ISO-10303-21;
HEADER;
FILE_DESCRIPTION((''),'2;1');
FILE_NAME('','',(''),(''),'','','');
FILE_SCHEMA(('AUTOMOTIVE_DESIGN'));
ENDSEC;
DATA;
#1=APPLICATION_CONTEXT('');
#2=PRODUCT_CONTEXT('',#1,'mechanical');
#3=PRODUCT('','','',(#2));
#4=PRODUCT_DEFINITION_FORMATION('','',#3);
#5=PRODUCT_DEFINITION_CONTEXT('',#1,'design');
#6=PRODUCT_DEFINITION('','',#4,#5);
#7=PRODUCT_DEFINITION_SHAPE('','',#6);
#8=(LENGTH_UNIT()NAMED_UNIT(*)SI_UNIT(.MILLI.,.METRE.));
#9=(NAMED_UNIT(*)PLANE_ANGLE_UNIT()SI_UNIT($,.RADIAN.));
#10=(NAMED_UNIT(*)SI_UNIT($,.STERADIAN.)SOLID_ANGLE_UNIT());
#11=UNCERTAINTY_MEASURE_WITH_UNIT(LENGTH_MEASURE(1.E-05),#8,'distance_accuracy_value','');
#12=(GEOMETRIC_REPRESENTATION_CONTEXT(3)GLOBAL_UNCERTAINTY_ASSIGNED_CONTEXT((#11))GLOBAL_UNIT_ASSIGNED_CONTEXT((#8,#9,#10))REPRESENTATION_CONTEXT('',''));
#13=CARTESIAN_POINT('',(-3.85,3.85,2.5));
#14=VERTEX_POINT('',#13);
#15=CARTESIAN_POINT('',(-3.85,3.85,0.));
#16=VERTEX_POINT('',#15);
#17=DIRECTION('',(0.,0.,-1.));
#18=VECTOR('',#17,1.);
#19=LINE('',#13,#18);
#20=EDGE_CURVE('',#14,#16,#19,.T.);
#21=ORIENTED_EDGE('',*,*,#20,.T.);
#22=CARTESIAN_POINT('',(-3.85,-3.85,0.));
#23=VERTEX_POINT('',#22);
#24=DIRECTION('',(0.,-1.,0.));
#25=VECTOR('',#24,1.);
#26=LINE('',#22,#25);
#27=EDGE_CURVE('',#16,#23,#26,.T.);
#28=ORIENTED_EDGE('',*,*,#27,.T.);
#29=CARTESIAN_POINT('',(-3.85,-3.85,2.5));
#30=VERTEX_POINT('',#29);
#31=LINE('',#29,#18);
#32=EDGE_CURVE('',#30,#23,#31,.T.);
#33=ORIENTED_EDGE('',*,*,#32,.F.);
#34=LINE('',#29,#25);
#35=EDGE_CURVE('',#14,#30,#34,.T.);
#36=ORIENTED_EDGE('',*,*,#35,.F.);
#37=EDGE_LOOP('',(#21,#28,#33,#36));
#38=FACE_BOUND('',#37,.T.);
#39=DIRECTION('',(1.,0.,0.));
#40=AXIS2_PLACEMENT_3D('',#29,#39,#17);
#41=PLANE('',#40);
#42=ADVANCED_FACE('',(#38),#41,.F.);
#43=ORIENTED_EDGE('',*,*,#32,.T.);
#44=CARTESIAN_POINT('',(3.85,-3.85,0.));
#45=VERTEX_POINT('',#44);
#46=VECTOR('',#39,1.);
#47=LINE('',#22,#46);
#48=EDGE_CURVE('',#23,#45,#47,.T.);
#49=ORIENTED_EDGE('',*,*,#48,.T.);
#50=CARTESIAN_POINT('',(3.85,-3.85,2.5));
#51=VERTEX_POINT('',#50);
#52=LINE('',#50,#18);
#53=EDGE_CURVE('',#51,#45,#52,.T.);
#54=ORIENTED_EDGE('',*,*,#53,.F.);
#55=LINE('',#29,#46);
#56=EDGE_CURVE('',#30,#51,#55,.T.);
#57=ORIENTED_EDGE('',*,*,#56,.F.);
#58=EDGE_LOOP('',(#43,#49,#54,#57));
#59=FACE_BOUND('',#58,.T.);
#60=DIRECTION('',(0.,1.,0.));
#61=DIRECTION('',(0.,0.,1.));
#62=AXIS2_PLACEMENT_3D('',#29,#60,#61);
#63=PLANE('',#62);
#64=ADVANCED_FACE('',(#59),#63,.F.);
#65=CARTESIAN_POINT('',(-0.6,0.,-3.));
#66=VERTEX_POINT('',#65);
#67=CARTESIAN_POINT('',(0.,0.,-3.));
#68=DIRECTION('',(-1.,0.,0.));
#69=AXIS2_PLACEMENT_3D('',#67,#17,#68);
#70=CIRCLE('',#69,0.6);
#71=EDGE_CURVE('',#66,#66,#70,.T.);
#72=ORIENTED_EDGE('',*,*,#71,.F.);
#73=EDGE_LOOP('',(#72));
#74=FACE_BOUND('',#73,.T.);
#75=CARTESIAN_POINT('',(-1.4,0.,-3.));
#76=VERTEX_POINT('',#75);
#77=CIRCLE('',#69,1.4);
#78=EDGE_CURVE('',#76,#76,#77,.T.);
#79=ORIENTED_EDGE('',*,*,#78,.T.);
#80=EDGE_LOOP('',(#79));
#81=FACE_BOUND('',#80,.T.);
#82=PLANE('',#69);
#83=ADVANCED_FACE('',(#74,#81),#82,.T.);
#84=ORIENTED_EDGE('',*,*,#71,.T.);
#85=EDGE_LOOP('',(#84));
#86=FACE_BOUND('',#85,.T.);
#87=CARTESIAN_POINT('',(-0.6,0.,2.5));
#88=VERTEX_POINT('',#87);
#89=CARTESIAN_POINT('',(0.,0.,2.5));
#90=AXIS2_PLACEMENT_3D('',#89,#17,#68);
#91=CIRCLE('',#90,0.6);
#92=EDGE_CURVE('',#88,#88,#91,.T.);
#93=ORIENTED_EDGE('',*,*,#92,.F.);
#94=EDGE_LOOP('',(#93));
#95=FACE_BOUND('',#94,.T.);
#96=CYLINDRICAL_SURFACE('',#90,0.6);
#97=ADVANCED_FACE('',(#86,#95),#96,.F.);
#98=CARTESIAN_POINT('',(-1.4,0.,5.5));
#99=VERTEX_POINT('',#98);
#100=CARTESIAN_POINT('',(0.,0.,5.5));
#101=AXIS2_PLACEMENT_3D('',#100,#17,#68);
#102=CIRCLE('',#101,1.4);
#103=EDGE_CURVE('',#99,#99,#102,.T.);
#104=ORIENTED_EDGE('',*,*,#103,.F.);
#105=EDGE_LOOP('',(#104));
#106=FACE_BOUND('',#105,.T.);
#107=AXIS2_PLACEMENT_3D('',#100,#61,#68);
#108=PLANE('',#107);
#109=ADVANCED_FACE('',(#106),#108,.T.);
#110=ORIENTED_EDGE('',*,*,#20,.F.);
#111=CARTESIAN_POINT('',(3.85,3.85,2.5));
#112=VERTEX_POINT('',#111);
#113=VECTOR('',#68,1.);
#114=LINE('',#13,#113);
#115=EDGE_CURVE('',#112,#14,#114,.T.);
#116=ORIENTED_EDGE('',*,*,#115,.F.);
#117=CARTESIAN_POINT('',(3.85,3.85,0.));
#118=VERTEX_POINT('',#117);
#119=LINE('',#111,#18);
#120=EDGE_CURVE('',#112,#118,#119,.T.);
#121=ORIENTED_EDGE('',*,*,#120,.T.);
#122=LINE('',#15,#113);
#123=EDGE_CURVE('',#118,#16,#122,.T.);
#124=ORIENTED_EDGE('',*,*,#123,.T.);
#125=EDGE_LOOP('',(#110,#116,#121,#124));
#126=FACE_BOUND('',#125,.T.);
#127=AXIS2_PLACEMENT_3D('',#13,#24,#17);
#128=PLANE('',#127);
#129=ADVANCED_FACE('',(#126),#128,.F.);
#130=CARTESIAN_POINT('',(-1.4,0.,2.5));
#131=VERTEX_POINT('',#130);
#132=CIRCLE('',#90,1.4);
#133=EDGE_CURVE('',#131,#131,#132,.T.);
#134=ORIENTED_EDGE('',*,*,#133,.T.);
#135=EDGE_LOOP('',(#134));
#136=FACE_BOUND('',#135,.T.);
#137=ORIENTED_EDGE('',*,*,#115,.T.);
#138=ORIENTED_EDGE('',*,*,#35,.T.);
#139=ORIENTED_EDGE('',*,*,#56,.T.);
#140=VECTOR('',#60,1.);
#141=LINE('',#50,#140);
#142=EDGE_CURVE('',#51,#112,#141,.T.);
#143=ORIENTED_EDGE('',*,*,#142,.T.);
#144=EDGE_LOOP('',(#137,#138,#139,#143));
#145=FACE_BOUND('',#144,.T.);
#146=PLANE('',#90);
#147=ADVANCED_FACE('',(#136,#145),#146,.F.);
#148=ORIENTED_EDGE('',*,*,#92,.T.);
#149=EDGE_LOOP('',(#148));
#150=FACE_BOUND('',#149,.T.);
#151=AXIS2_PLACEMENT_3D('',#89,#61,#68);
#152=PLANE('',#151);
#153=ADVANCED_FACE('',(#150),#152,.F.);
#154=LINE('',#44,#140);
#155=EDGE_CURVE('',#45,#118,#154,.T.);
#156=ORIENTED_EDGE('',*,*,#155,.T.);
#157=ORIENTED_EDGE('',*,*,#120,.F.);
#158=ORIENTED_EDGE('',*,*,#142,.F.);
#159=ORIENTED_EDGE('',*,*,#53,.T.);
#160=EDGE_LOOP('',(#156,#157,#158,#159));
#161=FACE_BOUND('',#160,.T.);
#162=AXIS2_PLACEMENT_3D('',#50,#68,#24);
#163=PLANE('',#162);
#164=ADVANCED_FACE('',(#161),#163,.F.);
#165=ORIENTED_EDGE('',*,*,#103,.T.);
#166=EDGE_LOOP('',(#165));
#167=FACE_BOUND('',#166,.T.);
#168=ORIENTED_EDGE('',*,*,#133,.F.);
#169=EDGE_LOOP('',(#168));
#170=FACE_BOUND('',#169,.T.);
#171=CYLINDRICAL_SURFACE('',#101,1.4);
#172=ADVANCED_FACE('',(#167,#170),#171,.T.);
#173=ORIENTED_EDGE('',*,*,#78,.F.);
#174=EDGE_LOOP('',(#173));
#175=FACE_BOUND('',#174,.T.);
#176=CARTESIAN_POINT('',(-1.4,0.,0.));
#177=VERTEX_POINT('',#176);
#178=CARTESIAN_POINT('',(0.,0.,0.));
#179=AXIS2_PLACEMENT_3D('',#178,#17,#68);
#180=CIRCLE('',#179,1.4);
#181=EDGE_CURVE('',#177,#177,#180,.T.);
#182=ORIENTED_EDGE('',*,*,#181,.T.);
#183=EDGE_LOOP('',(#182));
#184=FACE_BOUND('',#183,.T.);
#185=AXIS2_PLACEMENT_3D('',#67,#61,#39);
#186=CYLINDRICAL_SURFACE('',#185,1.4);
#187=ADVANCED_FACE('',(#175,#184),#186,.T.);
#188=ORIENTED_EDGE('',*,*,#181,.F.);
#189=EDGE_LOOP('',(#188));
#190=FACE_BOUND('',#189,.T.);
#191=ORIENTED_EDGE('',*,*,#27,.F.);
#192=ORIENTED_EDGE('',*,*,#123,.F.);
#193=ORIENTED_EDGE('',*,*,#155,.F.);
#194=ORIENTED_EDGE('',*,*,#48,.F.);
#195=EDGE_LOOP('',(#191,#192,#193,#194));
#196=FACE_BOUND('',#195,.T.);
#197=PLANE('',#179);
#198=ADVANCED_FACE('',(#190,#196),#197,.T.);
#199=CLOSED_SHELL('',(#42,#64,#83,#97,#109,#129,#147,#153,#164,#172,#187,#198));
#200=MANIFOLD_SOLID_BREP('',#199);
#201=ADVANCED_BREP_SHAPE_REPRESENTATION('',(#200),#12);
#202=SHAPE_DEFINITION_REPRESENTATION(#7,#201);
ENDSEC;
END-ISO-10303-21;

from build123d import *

# Parameters (mm, degrees)
CROQUIS1_W              = 7.7
CROQUIS1_H              = 7.7
SALIENTE_EXTRUIR1_DEPTH = 2.5
CROQUIS2_R              = 1.4
SALIENTE_EXTRUIR2_DEPTH = 3
CROQUIS6_R              = 0.6
CORTAR_EXTRUIR1_DEPTH   = 8.739186004


with BuildPart() as part:
    # Croquis1 → Saliente-Extruir1 (new body)
    with BuildSketch(Plane.XY):
        Rectangle(CROQUIS1_W, CROQUIS1_H)
    extrude(amount=SALIENTE_EXTRUIR1_DEPTH)

    # Croquis2 → Saliente-Extruir2 (add)
    with BuildSketch(Plane(origin=(0, 0, 0), x_dir=(-1, 0, 0), z_dir=(0, 0, -1))):
        Circle(CROQUIS2_R)
    saliente_extruir2 = extrude(amount=SALIENTE_EXTRUIR2_DEPTH)

    # Croquis6 → Cortar-Extruir1 (cut, through all)
    with BuildSketch(Plane(origin=(0, 0, -3), x_dir=(-1, 0, 0), z_dir=(0, 0, -1))):
        Circle(CROQUIS6_R)
    extrude(amount=-CORTAR_EXTRUIR1_DEPTH, mode=Mode.SUBTRACT)

    # Simetría3: Saliente-Extruir2 across plane
    add(saliente_extruir2.mirror(Plane(origin=(0, 0, 1.25), x_dir=(1, 0, 0), z_dir=(0, 0, -1))))


solid = part.part
